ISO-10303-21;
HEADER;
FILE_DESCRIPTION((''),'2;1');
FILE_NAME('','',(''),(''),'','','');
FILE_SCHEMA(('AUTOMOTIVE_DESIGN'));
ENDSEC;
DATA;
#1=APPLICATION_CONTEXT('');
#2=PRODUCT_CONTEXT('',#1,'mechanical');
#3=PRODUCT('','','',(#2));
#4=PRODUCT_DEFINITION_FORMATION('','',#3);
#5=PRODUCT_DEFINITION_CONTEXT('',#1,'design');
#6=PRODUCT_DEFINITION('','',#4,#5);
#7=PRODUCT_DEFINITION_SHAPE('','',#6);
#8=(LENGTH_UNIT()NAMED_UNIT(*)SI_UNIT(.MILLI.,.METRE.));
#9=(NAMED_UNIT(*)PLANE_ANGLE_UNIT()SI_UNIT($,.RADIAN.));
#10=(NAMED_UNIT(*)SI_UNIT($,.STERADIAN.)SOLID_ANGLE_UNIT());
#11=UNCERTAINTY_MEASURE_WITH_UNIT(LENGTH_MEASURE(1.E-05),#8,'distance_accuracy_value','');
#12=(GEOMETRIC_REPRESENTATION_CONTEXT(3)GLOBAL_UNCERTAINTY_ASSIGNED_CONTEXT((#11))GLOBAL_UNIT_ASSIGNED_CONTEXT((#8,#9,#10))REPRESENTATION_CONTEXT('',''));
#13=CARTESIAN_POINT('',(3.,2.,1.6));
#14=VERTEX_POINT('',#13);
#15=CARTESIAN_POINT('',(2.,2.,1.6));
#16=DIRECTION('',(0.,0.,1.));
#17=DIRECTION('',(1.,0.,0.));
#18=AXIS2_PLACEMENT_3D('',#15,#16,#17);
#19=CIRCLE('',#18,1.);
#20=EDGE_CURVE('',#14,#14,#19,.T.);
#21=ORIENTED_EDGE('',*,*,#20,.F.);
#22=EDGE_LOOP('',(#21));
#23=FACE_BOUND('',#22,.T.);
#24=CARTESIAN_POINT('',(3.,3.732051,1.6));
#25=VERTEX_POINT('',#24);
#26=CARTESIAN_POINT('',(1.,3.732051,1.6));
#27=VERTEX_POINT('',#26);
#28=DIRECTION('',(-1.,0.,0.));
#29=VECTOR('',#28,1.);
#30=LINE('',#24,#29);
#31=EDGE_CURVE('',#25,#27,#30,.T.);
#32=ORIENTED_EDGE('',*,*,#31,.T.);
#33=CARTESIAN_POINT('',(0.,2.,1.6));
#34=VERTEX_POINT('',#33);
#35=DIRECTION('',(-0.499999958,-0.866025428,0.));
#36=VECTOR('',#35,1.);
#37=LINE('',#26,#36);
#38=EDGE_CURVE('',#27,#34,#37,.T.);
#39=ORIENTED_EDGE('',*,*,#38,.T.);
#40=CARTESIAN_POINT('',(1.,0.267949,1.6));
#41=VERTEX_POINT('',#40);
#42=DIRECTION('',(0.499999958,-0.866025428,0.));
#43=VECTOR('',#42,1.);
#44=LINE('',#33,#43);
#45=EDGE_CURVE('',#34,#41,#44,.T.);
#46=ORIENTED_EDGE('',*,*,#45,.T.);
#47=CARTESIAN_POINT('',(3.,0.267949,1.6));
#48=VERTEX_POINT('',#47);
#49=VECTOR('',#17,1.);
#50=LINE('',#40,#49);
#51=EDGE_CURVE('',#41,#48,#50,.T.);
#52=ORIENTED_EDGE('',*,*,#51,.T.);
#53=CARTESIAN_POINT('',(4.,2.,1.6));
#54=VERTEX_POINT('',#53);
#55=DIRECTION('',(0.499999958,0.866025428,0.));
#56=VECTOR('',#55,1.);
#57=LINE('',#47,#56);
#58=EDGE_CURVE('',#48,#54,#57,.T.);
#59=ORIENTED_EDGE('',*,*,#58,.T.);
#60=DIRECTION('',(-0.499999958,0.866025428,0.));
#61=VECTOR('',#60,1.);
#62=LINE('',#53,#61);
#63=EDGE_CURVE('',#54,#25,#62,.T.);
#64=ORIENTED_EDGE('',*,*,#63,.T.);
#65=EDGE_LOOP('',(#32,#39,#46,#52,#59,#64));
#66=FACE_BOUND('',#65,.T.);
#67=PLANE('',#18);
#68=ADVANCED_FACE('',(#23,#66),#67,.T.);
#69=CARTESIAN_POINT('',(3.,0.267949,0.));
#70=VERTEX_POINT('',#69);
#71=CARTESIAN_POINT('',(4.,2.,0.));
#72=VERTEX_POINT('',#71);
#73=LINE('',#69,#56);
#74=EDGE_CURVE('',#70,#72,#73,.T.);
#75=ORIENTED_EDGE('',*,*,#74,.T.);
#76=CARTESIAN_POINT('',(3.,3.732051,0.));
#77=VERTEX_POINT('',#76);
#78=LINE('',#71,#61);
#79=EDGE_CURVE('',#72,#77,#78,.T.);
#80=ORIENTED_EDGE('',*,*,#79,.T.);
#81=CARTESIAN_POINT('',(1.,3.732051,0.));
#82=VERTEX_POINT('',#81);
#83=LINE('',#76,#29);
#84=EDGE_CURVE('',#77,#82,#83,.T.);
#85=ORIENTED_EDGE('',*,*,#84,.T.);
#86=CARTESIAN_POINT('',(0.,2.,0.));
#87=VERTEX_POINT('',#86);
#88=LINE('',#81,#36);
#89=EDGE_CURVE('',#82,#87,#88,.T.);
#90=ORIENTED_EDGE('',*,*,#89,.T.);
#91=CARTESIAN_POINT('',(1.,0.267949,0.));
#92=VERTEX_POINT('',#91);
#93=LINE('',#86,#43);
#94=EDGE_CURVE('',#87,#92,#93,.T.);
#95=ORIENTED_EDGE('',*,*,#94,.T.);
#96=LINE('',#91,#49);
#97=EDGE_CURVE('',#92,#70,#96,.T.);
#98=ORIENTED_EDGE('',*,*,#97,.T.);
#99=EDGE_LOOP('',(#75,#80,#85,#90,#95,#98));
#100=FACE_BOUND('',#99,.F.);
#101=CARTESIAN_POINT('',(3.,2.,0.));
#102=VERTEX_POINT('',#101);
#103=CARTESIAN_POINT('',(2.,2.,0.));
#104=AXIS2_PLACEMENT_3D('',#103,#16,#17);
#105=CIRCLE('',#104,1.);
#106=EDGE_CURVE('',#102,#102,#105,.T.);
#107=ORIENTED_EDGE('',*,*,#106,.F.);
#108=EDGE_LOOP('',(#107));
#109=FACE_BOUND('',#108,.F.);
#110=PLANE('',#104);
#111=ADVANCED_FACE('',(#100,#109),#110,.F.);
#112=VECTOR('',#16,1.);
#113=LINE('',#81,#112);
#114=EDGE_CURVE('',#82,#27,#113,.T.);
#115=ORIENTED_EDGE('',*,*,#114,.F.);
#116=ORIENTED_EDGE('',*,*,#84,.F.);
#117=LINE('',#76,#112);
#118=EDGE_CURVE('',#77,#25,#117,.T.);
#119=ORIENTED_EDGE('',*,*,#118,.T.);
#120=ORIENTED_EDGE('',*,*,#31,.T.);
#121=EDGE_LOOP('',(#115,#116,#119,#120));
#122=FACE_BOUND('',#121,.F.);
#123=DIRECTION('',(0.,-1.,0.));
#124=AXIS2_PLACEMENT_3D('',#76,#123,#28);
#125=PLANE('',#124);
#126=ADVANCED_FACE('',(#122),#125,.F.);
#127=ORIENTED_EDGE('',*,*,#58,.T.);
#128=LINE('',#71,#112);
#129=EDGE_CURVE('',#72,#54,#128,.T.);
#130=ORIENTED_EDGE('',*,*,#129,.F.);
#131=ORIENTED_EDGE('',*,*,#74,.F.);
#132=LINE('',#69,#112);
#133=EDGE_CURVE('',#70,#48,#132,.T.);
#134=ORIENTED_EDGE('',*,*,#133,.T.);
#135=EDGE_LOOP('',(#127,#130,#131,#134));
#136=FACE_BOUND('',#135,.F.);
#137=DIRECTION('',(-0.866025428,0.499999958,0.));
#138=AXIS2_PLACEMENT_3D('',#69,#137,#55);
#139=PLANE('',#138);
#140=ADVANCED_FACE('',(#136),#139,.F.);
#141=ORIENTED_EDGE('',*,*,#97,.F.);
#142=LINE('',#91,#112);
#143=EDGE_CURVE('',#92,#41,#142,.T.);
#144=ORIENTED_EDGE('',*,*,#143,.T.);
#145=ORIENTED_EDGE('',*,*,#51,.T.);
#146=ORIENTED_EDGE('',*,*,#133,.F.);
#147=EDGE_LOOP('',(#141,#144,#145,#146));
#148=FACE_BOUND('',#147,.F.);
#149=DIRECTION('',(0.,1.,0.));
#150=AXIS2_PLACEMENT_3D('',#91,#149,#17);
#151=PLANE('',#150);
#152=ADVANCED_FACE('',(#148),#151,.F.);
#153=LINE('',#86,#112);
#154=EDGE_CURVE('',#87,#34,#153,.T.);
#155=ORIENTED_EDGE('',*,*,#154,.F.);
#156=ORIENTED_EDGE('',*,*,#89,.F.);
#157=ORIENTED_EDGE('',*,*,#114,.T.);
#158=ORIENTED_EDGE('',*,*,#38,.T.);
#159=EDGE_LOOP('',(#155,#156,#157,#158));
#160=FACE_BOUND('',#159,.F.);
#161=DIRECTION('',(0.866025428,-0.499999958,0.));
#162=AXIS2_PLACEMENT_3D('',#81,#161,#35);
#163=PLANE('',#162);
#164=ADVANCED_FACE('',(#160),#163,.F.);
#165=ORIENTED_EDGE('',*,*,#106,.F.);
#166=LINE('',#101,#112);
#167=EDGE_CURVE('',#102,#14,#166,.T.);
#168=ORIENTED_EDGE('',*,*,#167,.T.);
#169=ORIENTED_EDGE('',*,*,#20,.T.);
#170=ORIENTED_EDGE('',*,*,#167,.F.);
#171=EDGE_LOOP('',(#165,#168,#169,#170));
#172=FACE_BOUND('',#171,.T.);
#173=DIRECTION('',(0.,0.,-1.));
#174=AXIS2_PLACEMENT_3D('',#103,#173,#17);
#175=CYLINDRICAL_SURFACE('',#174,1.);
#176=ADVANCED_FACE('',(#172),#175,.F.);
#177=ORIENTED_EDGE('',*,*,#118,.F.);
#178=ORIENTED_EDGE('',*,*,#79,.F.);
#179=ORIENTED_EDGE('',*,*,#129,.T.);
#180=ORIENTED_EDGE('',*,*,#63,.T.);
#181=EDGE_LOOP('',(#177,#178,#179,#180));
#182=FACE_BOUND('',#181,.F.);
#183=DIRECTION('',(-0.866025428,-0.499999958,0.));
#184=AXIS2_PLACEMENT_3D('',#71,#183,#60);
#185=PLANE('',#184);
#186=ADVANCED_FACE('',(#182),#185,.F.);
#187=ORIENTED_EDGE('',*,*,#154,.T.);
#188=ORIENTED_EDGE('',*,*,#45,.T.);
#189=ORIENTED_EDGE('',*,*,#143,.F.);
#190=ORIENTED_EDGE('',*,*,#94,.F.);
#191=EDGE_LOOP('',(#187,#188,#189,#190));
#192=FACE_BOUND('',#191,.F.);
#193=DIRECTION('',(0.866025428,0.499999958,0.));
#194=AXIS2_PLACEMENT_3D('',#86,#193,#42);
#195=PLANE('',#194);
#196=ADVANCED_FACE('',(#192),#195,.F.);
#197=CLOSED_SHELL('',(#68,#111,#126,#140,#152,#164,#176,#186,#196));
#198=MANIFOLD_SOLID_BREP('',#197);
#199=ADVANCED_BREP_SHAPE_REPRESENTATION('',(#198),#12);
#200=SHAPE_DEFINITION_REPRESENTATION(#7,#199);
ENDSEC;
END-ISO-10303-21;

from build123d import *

# Parameters (mm, degrees)
CYLINDER_R     = 1
CYLINDER_DEPTH = 1.6
PAD_DEPTH      = 1.6


with BuildPart() as zylinder:
    # Cylinder → Cylinder (new body)
    with BuildSketch(Plane(origin=(2, 2, 0), x_dir=(1, 0, 0), z_dir=(0, 0, 1))):
        Circle(CYLINDER_R)
    extrude(amount=CYLINDER_DEPTH)


with BuildPart() as bolt:
    # Sketch → Pad (new body)
    with BuildSketch(Plane.XY):
        Polygon((0, 2), (1, 0.267949), (3, 0.267949), (4, 2), (3, 3.732051), (1, 3.732051), align=None)
    extrude(amount=PAD_DEPTH)

    # Cut: cut Zylinder
    add(zylinder.part, mode=Mode.SUBTRACT)


solid = bolt.part
